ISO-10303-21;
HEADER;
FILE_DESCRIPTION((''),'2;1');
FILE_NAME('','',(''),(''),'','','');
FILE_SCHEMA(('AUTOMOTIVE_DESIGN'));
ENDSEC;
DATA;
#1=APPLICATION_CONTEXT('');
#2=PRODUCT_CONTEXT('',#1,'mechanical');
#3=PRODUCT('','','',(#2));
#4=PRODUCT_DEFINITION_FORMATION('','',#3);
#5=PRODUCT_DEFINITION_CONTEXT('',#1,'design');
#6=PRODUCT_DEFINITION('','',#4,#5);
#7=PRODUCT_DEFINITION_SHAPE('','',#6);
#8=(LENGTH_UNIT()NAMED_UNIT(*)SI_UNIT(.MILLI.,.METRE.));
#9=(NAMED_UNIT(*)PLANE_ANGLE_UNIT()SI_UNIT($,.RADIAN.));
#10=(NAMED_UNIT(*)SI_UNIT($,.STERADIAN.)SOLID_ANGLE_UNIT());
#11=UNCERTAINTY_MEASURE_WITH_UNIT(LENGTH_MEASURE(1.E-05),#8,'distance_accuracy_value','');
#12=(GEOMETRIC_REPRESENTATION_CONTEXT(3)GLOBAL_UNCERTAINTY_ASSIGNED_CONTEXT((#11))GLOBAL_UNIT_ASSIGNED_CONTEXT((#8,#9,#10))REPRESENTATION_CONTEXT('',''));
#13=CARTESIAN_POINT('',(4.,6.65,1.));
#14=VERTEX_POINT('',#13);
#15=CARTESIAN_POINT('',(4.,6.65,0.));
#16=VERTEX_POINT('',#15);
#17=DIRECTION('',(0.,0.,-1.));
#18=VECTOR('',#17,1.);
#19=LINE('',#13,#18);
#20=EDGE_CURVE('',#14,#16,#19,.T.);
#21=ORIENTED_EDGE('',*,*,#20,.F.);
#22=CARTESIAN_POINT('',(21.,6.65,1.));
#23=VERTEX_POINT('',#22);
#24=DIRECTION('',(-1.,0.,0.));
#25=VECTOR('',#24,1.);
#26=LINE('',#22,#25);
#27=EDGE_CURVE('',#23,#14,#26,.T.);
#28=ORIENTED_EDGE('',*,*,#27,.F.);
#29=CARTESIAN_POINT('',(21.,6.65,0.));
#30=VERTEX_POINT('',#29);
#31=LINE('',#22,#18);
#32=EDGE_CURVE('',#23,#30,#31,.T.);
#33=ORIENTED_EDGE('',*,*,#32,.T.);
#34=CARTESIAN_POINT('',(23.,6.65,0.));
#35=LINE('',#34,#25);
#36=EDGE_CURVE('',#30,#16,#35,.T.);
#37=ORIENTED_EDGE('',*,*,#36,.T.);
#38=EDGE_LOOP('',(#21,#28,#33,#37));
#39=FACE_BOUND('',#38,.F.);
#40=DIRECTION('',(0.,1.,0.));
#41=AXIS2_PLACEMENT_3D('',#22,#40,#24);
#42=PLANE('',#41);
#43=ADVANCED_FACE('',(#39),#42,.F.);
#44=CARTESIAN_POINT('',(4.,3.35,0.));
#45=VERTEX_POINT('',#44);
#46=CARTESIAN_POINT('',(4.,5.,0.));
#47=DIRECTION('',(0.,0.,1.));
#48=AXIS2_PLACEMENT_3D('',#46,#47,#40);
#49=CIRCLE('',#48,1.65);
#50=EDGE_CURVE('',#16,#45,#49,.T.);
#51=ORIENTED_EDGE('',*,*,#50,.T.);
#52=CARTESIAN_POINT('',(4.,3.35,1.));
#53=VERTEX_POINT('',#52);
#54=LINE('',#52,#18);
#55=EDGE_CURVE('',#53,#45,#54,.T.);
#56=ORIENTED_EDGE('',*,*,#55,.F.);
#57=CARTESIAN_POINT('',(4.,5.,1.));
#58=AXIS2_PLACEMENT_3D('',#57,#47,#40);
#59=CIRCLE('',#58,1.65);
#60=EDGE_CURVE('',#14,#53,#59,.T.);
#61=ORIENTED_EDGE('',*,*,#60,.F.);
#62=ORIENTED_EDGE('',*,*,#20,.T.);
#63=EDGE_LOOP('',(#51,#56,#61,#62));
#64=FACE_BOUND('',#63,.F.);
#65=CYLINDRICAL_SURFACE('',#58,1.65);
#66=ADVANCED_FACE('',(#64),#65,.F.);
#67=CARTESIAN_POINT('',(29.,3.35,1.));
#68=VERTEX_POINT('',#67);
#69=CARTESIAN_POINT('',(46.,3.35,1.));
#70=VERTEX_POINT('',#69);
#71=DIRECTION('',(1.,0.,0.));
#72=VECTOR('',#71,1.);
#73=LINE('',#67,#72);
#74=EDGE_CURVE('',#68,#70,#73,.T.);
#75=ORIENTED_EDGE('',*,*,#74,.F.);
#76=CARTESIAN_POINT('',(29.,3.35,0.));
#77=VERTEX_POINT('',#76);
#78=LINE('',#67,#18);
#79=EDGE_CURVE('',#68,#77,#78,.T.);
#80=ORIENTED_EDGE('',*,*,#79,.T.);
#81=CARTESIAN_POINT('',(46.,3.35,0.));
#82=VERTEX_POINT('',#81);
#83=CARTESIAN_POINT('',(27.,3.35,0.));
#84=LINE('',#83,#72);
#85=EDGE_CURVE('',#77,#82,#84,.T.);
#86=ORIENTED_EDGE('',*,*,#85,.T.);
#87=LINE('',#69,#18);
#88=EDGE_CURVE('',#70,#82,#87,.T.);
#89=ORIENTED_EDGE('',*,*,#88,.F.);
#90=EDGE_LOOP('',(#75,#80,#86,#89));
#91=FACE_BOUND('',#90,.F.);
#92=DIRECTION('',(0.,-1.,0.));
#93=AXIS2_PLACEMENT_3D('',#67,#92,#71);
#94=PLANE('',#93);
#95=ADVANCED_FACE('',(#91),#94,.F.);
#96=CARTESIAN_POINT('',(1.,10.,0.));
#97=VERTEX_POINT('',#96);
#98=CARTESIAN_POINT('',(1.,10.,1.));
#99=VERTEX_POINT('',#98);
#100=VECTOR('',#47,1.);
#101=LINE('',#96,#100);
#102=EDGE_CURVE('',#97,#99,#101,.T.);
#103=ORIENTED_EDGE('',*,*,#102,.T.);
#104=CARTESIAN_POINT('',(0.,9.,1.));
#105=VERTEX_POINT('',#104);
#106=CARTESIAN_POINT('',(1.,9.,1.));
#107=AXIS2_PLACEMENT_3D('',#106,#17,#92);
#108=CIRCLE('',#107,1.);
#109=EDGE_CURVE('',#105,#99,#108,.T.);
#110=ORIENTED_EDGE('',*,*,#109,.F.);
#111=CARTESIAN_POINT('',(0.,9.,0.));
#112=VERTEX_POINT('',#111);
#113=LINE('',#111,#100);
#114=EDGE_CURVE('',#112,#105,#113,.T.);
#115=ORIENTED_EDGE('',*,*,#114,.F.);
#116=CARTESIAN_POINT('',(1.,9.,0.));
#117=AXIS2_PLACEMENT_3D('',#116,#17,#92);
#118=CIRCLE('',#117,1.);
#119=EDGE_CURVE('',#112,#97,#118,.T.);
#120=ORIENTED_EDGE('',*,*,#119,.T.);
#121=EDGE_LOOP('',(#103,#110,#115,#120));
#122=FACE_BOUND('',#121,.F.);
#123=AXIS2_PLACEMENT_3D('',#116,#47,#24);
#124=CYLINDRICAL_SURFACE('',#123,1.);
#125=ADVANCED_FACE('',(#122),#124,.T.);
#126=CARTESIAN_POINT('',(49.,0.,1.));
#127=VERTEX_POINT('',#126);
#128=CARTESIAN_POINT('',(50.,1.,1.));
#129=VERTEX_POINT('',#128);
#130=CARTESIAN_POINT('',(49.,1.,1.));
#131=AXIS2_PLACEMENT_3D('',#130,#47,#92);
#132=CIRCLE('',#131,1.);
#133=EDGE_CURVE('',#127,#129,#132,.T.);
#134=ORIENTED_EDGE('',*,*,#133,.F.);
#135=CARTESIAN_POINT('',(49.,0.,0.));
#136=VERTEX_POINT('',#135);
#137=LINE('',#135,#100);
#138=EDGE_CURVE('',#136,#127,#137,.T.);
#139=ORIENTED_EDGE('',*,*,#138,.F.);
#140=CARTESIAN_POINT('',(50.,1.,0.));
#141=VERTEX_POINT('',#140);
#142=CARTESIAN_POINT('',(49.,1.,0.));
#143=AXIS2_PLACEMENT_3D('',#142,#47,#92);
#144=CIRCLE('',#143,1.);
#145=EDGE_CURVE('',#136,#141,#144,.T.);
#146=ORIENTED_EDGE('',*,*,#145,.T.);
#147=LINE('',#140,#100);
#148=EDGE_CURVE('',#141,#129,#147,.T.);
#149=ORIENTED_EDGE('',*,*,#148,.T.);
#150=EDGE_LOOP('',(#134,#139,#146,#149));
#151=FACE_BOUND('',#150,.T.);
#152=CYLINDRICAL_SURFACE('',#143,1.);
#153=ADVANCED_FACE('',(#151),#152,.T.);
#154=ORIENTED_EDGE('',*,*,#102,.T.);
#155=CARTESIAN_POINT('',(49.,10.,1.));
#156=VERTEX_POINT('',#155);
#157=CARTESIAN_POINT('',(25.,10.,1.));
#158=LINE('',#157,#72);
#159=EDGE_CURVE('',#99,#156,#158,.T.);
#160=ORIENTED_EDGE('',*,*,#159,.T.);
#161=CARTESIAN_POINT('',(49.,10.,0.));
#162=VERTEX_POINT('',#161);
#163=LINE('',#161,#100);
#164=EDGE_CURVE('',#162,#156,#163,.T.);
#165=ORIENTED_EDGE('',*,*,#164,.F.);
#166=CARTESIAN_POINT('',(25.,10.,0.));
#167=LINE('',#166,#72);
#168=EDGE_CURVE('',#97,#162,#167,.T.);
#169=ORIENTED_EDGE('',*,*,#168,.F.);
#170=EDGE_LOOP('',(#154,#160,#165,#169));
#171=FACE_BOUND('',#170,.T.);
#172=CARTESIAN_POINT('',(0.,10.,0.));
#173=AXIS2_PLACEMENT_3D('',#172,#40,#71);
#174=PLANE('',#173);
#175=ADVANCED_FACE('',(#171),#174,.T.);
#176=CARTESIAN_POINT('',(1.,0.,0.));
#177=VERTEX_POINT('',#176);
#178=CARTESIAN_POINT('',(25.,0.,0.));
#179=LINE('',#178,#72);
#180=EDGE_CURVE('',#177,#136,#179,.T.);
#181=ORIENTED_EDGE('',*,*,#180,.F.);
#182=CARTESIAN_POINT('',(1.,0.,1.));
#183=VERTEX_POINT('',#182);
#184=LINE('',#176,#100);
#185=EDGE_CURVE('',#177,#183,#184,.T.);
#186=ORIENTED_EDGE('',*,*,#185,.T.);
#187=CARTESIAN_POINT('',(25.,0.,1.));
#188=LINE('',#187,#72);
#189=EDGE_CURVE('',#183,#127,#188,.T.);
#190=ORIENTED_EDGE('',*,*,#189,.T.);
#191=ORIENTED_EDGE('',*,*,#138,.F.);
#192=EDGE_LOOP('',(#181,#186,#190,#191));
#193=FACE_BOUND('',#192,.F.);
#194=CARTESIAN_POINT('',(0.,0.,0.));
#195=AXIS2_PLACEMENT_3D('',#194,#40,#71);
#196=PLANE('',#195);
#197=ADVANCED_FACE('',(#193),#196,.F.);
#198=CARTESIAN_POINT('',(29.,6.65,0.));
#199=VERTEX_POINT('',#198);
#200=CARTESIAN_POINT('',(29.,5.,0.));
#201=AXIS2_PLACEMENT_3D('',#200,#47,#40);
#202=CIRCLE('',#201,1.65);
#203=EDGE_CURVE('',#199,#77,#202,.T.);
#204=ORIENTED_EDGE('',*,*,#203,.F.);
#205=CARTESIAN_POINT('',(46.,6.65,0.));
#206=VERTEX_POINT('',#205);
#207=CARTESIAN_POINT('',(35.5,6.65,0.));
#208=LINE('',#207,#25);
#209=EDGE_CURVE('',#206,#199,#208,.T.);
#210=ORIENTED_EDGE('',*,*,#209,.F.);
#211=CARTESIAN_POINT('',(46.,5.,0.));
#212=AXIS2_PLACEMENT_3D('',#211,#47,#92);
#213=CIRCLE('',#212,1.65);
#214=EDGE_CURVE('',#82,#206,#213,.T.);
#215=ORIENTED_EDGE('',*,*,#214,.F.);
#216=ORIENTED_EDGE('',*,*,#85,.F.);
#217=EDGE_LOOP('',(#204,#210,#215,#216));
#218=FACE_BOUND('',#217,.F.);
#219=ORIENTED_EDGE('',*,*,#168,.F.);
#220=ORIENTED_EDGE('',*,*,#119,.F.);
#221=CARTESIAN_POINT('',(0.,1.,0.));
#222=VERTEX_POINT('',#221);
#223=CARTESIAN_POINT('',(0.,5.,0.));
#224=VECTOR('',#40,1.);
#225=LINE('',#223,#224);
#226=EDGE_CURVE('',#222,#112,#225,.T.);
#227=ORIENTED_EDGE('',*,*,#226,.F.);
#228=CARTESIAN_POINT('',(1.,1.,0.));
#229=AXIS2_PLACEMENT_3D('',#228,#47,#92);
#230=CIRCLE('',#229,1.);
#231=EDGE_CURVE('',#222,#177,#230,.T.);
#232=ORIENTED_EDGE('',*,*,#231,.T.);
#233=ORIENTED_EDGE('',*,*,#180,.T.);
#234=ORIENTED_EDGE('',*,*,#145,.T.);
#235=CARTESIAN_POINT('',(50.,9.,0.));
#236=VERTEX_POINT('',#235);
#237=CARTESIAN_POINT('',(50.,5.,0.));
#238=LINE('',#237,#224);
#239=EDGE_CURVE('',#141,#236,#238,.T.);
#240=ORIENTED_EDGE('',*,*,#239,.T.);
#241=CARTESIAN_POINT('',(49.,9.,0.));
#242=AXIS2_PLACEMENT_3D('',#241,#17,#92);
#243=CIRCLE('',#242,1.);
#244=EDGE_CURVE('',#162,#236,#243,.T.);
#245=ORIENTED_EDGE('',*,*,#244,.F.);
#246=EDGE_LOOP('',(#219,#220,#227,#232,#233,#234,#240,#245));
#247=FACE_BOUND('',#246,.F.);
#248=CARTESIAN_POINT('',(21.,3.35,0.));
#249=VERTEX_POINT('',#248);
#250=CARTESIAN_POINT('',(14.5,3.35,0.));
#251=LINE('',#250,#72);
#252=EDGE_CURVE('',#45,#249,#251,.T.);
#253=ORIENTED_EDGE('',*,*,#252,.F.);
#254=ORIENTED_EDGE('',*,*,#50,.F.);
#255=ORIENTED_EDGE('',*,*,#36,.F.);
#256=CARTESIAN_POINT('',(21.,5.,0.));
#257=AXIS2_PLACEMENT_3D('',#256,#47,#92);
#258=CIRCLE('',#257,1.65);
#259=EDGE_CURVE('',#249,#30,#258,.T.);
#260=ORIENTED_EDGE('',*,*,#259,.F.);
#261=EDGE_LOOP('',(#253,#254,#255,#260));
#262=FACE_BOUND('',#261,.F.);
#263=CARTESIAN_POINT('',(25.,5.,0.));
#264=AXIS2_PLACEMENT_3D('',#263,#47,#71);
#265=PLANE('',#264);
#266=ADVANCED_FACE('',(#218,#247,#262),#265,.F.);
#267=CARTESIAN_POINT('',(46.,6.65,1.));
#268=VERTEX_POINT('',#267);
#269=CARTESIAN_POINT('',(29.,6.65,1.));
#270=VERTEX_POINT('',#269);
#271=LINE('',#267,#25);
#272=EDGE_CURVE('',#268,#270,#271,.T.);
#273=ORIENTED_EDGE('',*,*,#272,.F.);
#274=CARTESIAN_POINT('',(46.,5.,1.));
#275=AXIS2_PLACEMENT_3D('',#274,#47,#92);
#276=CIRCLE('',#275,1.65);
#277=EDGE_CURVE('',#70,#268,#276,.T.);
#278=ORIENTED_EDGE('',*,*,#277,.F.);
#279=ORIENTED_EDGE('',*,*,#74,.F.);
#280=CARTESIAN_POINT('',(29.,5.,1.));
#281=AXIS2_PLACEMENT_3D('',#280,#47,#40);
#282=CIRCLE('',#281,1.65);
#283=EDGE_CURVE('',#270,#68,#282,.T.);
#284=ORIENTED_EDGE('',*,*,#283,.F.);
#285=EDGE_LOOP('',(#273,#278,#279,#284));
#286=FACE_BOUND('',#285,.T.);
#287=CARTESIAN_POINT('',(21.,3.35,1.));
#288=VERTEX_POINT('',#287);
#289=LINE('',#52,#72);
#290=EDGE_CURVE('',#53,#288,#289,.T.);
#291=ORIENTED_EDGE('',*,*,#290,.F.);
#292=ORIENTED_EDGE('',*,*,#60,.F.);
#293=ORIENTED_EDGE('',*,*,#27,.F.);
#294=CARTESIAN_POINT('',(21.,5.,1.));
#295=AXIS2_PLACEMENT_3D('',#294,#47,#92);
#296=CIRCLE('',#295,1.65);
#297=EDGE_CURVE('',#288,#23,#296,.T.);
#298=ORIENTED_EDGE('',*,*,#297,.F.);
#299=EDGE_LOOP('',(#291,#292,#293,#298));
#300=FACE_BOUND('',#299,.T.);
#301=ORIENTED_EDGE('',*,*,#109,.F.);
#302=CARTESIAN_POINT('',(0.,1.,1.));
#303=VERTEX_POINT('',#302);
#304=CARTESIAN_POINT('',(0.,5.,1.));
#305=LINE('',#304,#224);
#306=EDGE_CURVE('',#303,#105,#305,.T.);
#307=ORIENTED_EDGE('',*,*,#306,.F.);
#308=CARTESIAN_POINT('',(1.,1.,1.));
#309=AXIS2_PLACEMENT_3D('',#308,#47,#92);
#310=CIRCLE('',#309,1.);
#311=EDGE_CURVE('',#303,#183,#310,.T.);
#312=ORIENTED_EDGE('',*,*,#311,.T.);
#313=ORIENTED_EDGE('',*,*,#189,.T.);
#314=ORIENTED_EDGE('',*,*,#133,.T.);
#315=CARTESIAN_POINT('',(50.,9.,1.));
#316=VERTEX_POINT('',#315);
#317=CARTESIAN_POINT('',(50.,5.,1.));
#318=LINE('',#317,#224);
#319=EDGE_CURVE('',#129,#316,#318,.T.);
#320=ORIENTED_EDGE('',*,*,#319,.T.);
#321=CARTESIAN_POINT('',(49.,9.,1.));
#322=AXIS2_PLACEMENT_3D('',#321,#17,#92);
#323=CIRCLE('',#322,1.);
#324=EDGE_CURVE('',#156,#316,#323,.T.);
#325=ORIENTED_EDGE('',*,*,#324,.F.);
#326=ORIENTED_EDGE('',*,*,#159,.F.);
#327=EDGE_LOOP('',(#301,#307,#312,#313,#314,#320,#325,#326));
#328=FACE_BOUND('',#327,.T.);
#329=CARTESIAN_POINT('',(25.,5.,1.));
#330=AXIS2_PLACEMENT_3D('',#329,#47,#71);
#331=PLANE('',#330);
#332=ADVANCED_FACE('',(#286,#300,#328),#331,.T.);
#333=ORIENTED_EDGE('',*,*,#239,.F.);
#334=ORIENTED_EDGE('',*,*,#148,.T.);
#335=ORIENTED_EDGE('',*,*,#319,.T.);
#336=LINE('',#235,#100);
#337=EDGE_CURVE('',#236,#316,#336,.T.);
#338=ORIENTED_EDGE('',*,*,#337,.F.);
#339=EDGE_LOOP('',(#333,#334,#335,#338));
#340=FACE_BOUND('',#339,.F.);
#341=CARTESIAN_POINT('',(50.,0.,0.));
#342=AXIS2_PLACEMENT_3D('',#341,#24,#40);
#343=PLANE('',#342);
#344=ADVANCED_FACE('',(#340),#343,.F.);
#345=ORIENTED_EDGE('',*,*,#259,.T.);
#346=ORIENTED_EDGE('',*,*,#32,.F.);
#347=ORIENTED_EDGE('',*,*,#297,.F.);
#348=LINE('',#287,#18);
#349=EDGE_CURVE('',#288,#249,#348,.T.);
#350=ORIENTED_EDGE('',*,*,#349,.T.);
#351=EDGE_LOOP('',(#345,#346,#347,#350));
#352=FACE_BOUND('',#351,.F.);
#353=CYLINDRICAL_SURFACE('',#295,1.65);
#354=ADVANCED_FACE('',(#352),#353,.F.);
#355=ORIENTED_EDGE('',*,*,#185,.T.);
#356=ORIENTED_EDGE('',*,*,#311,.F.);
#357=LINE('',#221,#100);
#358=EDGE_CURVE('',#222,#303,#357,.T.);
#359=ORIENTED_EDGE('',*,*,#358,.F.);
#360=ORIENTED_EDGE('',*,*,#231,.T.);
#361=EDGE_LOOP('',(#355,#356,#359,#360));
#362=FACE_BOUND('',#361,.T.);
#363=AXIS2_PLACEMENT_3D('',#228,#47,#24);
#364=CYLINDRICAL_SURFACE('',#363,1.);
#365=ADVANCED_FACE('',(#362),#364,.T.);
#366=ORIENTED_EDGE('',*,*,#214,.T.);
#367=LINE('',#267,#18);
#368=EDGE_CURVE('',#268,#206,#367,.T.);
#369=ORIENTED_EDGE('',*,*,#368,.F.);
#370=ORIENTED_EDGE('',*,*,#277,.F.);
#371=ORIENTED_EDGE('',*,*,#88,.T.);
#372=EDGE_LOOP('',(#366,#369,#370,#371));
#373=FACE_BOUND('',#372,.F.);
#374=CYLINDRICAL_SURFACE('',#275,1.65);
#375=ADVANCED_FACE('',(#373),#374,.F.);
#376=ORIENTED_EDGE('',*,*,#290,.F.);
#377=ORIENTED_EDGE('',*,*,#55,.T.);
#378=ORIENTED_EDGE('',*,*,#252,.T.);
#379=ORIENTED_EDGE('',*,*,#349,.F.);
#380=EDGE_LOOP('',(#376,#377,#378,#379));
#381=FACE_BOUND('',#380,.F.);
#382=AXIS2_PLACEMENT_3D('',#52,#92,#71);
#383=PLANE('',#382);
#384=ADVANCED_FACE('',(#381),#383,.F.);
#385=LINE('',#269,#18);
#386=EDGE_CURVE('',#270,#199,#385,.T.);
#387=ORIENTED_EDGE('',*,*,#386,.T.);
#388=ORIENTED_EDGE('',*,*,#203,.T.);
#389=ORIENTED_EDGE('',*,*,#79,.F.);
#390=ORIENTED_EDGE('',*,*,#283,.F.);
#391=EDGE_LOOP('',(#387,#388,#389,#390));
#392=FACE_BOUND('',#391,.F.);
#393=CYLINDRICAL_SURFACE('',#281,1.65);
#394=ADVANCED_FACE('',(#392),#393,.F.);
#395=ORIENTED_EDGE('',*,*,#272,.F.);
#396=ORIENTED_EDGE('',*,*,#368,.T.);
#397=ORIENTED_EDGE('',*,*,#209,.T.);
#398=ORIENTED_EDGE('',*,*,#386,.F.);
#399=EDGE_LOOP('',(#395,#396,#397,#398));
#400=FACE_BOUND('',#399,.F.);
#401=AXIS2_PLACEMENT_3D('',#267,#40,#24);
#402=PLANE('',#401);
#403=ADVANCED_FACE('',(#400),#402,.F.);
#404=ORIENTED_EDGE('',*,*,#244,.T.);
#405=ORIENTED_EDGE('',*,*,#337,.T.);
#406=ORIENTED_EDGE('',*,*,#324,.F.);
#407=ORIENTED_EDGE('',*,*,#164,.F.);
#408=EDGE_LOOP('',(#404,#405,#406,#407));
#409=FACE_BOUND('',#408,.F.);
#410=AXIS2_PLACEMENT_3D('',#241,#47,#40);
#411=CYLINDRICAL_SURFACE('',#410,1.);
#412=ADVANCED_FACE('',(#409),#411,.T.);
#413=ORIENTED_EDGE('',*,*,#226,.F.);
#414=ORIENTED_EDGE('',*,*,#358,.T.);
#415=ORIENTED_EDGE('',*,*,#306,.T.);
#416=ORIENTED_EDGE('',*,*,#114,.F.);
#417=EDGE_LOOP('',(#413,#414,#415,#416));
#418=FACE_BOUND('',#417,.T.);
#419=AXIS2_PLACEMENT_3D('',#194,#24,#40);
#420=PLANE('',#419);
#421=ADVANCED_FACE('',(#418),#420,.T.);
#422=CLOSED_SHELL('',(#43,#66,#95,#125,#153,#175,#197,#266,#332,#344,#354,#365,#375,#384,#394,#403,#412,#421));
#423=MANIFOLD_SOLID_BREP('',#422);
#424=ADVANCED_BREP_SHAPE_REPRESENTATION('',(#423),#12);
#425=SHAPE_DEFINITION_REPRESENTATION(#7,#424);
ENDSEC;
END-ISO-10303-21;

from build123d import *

# Parameters (mm, degrees)
F0_W     = 50
F0_H     = 10
F1_DEPTH = 1
F3_DEPTH = 25
F4_R     = 1


with BuildPart() as f1:
    # F0 (on Top) → F1 (new body)
    with BuildSketch(Plane.XY):
        with Locations((25, 5)):
            Rectangle(F0_W, F0_H)
    extrude(amount=F1_DEPTH)

    # F2 (on face) → F3 (cut)
    with BuildSketch(Plane.XY.offset(1)):
        with BuildLine():
            Line((21, 6.65), (4, 6.65))
            ThreePointArc((4, 6.65), (2.35, 5), (4, 3.35))
            Line((4, 3.35), (21, 3.35))
            ThreePointArc((21, 3.35), (22.65, 5), (21, 6.65))
        make_face()
        with BuildLine():
            ThreePointArc((29, 6.65), (27.35, 5), (29, 3.35))
            Line((29, 3.35), (46, 3.35))
            ThreePointArc((46, 3.35), (47.65, 5), (46, 6.65))
            Line((46, 6.65), (29, 6.65))
        make_face()
    extrude(amount=-F3_DEPTH, mode=Mode.SUBTRACT)

    # F4
    f4_edges = [f1.edges().sort_by_distance(p)[0] for p in [
        (50, 0, 0.5),
        (50, 10, 0.5),
        (0, 10, 0.5),
        (0, 0, 0.5),
    ]]
    fillet(f4_edges, radius=F4_R)


solid = f1.part
